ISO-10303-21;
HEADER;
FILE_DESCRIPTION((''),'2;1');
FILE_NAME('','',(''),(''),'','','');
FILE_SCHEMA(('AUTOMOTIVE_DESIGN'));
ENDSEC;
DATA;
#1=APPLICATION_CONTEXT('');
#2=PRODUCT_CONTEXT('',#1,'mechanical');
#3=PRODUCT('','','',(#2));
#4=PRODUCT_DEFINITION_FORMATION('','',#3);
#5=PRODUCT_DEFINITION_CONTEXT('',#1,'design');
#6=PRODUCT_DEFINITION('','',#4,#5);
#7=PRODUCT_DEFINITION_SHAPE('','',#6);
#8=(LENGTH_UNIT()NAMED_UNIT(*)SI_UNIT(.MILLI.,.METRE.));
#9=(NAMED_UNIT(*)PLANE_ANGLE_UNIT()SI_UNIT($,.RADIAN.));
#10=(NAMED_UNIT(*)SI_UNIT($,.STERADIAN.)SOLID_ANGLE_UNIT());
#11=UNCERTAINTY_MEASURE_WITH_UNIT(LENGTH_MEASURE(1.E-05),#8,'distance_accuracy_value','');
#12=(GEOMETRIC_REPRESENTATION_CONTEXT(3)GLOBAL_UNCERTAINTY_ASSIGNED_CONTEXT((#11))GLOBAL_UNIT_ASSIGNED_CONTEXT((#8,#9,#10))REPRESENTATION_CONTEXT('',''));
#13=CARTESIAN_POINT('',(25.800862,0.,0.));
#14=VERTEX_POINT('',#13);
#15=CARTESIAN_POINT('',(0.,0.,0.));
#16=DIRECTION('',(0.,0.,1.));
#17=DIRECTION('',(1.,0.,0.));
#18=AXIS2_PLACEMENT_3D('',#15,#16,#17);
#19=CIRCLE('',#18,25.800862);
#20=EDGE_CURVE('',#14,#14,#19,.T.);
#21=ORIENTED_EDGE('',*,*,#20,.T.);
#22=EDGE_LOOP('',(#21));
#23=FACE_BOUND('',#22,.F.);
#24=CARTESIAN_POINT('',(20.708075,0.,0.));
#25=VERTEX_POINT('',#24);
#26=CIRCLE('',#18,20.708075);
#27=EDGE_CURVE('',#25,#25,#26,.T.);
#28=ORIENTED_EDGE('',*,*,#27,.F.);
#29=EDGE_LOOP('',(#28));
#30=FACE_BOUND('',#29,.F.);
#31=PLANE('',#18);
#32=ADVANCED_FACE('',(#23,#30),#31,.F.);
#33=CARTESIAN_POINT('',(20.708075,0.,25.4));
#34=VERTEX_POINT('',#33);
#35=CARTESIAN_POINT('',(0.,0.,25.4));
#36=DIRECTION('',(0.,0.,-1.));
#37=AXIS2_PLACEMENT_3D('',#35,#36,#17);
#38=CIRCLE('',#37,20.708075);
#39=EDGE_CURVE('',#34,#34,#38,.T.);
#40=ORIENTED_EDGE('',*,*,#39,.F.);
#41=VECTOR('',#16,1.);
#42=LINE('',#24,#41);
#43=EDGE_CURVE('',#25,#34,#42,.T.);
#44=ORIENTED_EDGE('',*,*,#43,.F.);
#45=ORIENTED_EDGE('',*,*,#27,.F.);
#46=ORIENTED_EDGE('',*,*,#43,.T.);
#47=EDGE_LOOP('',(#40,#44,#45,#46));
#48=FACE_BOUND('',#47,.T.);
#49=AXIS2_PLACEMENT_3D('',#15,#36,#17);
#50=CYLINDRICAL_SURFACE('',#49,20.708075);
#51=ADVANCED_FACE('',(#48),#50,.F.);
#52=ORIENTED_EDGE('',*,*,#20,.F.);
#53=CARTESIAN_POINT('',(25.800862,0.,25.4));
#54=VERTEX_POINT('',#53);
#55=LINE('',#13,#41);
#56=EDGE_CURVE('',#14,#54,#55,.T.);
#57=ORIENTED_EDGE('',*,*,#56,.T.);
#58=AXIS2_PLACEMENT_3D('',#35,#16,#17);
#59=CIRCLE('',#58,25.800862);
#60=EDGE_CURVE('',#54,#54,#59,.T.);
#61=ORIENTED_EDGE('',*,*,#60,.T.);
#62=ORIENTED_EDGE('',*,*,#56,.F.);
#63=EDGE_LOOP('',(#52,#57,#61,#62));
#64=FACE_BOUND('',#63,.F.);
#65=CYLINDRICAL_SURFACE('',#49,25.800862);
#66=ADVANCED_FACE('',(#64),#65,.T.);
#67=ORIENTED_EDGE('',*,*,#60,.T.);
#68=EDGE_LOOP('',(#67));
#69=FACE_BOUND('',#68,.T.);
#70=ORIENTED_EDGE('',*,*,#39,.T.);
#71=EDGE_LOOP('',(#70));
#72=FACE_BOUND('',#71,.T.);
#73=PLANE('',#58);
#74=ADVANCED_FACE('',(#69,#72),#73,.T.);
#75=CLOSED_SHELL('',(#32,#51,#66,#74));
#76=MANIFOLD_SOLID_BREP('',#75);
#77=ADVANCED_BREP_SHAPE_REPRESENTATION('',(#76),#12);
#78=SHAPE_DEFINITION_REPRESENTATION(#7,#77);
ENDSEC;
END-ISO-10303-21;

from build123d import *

# Parameters (mm, degrees)
F0_R     = 25.800862
F1_DEPTH = 25.4
F2_R     = 20.708075
F3_DEPTH = 25.401


with BuildPart() as f1:
    # F0 (on Top) → F1 (new body)
    with BuildSketch(Plane.XY):
        Circle(F0_R)
    extrude(amount=F1_DEPTH)

    # F2 (on Top) → F3 (cut, through all)
    with BuildSketch(Plane.XY):
        Circle(F2_R)
    extrude(amount=F3_DEPTH, mode=Mode.SUBTRACT)


solid = f1.part
